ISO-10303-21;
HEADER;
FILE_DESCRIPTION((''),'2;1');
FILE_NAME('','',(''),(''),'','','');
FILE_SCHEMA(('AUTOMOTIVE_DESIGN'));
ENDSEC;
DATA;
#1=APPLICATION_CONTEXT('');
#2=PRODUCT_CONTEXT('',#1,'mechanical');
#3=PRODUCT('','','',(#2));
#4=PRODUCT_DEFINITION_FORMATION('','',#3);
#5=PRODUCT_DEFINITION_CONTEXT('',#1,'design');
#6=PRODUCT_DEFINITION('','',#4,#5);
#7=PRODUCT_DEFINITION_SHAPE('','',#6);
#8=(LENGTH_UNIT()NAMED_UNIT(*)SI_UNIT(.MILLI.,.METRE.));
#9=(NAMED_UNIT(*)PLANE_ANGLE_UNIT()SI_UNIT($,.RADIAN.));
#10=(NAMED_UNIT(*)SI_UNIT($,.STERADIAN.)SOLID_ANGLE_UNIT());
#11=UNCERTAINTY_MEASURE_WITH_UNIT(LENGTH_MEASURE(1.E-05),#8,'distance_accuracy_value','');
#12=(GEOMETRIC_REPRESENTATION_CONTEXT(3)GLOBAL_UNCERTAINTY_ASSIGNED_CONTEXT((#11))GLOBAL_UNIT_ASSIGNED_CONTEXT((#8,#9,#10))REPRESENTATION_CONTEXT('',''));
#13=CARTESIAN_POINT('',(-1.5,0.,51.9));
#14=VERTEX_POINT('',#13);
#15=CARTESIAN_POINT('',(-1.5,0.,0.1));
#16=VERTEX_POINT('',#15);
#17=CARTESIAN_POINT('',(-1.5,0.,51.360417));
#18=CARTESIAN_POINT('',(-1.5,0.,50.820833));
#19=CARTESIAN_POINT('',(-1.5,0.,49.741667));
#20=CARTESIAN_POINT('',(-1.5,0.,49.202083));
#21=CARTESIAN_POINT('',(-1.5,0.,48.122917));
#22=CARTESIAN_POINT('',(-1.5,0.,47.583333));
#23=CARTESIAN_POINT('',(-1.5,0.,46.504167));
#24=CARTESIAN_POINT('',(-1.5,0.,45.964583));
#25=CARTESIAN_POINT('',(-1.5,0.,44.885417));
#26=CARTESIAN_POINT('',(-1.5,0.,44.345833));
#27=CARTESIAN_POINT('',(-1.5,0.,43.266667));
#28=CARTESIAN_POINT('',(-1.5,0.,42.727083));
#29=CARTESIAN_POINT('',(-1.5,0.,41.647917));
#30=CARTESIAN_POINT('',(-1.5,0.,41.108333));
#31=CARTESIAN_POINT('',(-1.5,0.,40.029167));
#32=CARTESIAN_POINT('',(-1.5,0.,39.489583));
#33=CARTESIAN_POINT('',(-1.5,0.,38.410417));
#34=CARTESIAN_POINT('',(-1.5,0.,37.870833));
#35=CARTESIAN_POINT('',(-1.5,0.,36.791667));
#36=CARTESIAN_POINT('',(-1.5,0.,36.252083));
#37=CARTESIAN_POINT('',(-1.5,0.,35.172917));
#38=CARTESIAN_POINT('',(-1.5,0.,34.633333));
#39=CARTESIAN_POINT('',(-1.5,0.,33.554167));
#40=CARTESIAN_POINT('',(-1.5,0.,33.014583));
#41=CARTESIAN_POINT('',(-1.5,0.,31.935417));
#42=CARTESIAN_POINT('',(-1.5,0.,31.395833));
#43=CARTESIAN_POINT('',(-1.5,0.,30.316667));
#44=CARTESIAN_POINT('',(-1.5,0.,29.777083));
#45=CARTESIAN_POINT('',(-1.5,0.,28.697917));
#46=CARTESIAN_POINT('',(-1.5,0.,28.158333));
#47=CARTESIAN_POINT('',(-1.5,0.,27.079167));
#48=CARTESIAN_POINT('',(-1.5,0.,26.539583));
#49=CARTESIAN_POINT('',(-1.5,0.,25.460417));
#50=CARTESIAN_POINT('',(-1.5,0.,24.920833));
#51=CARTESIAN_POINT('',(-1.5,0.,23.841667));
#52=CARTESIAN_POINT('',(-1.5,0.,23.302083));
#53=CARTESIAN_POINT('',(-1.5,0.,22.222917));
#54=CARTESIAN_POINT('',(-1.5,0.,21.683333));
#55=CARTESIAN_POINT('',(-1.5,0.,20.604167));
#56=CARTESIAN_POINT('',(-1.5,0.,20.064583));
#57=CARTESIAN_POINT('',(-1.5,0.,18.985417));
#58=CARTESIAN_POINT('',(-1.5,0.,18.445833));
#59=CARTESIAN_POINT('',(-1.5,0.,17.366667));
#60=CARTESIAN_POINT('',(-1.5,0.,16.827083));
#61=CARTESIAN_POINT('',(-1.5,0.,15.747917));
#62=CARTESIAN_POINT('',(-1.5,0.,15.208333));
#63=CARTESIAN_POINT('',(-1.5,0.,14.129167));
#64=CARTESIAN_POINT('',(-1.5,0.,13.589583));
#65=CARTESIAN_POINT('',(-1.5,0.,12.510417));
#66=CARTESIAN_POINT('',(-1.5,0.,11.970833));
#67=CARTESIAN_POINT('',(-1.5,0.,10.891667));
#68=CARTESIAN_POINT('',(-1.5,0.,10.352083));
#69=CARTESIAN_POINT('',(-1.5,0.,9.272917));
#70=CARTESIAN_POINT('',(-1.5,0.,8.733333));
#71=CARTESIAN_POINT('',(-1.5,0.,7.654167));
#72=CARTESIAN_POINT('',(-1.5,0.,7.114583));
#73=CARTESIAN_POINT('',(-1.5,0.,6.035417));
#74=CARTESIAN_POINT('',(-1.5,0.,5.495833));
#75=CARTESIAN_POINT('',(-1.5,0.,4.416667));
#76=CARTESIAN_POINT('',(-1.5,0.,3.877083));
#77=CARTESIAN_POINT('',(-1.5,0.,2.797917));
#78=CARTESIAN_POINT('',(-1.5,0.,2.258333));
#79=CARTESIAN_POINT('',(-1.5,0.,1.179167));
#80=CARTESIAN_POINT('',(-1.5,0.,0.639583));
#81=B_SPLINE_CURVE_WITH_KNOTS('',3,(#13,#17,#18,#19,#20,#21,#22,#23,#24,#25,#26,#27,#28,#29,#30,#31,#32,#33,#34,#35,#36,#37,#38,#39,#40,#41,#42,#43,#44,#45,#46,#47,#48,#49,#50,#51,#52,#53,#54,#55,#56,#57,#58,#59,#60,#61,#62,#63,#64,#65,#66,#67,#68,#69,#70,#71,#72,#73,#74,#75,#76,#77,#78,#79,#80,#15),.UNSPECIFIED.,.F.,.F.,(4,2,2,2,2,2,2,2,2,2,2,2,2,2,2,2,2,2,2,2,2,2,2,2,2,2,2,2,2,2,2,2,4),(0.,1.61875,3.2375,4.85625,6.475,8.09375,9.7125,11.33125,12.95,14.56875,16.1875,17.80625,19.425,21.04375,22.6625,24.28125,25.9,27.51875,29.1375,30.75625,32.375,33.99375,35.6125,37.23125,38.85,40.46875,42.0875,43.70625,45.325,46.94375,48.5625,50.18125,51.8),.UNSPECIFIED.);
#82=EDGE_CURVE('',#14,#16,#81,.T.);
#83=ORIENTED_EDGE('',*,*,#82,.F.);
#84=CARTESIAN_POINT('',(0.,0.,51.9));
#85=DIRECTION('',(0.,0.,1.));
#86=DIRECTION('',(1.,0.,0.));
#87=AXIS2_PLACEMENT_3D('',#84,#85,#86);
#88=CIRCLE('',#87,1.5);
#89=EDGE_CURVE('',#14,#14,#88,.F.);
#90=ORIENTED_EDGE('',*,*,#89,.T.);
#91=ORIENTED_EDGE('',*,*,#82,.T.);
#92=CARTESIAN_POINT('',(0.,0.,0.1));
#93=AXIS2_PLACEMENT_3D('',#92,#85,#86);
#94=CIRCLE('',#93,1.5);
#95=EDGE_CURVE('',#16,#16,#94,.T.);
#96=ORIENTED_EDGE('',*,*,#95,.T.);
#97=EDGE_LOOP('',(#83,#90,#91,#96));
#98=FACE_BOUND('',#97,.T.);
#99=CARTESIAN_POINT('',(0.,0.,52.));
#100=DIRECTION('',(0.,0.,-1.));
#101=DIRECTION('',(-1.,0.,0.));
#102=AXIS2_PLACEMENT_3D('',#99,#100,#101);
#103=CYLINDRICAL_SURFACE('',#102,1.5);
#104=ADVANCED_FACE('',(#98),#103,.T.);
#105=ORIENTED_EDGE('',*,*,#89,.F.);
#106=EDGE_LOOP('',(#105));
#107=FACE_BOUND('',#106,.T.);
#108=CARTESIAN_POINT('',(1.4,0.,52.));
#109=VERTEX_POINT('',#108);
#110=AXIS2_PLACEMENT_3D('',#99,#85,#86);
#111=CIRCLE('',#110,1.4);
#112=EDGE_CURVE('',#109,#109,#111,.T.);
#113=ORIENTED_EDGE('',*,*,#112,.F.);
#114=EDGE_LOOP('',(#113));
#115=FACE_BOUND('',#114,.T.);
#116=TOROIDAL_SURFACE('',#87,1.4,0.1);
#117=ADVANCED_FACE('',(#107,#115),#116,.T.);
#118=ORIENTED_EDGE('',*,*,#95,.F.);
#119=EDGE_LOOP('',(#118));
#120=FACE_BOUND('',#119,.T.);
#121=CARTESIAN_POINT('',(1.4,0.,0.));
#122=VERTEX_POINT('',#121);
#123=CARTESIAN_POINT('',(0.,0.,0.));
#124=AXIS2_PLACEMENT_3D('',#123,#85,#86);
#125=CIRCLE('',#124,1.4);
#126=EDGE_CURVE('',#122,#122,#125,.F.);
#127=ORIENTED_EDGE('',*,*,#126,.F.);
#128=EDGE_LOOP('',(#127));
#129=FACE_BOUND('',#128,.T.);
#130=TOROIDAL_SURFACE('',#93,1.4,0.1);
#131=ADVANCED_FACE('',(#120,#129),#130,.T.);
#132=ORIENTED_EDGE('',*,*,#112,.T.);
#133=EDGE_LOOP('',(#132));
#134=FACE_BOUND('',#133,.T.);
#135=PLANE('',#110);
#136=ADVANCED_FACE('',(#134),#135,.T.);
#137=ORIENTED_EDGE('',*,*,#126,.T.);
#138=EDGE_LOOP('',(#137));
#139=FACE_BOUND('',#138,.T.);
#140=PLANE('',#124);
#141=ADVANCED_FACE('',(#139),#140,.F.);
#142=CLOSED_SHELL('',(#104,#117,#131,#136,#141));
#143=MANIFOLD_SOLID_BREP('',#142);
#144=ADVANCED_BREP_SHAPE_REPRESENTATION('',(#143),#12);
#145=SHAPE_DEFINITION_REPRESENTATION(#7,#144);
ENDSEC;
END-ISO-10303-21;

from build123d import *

# Parameters (mm, degrees)
ESQUISSE1_R      = 1.5
EXTRUSION1_DEPTH = 52
CONG_1_R         = 0.1


with BuildPart() as part:
    # Esquisse1 → Extrusion1 (new body)
    with BuildSketch(Plane.XY):
        with Locations(Location((0, 0, 0), (0, 0, 180))):
            Circle(ESQUISSE1_R)
    extrude(amount=EXTRUSION1_DEPTH)

    # Congé1
    cong_1_edges = [part.edges().sort_by_distance(p)[0] for p in [
        (1.5, 0, 0),
        (1.5, 0, 52),
    ]]
    fillet(cong_1_edges, radius=CONG_1_R)


solid = part.part
